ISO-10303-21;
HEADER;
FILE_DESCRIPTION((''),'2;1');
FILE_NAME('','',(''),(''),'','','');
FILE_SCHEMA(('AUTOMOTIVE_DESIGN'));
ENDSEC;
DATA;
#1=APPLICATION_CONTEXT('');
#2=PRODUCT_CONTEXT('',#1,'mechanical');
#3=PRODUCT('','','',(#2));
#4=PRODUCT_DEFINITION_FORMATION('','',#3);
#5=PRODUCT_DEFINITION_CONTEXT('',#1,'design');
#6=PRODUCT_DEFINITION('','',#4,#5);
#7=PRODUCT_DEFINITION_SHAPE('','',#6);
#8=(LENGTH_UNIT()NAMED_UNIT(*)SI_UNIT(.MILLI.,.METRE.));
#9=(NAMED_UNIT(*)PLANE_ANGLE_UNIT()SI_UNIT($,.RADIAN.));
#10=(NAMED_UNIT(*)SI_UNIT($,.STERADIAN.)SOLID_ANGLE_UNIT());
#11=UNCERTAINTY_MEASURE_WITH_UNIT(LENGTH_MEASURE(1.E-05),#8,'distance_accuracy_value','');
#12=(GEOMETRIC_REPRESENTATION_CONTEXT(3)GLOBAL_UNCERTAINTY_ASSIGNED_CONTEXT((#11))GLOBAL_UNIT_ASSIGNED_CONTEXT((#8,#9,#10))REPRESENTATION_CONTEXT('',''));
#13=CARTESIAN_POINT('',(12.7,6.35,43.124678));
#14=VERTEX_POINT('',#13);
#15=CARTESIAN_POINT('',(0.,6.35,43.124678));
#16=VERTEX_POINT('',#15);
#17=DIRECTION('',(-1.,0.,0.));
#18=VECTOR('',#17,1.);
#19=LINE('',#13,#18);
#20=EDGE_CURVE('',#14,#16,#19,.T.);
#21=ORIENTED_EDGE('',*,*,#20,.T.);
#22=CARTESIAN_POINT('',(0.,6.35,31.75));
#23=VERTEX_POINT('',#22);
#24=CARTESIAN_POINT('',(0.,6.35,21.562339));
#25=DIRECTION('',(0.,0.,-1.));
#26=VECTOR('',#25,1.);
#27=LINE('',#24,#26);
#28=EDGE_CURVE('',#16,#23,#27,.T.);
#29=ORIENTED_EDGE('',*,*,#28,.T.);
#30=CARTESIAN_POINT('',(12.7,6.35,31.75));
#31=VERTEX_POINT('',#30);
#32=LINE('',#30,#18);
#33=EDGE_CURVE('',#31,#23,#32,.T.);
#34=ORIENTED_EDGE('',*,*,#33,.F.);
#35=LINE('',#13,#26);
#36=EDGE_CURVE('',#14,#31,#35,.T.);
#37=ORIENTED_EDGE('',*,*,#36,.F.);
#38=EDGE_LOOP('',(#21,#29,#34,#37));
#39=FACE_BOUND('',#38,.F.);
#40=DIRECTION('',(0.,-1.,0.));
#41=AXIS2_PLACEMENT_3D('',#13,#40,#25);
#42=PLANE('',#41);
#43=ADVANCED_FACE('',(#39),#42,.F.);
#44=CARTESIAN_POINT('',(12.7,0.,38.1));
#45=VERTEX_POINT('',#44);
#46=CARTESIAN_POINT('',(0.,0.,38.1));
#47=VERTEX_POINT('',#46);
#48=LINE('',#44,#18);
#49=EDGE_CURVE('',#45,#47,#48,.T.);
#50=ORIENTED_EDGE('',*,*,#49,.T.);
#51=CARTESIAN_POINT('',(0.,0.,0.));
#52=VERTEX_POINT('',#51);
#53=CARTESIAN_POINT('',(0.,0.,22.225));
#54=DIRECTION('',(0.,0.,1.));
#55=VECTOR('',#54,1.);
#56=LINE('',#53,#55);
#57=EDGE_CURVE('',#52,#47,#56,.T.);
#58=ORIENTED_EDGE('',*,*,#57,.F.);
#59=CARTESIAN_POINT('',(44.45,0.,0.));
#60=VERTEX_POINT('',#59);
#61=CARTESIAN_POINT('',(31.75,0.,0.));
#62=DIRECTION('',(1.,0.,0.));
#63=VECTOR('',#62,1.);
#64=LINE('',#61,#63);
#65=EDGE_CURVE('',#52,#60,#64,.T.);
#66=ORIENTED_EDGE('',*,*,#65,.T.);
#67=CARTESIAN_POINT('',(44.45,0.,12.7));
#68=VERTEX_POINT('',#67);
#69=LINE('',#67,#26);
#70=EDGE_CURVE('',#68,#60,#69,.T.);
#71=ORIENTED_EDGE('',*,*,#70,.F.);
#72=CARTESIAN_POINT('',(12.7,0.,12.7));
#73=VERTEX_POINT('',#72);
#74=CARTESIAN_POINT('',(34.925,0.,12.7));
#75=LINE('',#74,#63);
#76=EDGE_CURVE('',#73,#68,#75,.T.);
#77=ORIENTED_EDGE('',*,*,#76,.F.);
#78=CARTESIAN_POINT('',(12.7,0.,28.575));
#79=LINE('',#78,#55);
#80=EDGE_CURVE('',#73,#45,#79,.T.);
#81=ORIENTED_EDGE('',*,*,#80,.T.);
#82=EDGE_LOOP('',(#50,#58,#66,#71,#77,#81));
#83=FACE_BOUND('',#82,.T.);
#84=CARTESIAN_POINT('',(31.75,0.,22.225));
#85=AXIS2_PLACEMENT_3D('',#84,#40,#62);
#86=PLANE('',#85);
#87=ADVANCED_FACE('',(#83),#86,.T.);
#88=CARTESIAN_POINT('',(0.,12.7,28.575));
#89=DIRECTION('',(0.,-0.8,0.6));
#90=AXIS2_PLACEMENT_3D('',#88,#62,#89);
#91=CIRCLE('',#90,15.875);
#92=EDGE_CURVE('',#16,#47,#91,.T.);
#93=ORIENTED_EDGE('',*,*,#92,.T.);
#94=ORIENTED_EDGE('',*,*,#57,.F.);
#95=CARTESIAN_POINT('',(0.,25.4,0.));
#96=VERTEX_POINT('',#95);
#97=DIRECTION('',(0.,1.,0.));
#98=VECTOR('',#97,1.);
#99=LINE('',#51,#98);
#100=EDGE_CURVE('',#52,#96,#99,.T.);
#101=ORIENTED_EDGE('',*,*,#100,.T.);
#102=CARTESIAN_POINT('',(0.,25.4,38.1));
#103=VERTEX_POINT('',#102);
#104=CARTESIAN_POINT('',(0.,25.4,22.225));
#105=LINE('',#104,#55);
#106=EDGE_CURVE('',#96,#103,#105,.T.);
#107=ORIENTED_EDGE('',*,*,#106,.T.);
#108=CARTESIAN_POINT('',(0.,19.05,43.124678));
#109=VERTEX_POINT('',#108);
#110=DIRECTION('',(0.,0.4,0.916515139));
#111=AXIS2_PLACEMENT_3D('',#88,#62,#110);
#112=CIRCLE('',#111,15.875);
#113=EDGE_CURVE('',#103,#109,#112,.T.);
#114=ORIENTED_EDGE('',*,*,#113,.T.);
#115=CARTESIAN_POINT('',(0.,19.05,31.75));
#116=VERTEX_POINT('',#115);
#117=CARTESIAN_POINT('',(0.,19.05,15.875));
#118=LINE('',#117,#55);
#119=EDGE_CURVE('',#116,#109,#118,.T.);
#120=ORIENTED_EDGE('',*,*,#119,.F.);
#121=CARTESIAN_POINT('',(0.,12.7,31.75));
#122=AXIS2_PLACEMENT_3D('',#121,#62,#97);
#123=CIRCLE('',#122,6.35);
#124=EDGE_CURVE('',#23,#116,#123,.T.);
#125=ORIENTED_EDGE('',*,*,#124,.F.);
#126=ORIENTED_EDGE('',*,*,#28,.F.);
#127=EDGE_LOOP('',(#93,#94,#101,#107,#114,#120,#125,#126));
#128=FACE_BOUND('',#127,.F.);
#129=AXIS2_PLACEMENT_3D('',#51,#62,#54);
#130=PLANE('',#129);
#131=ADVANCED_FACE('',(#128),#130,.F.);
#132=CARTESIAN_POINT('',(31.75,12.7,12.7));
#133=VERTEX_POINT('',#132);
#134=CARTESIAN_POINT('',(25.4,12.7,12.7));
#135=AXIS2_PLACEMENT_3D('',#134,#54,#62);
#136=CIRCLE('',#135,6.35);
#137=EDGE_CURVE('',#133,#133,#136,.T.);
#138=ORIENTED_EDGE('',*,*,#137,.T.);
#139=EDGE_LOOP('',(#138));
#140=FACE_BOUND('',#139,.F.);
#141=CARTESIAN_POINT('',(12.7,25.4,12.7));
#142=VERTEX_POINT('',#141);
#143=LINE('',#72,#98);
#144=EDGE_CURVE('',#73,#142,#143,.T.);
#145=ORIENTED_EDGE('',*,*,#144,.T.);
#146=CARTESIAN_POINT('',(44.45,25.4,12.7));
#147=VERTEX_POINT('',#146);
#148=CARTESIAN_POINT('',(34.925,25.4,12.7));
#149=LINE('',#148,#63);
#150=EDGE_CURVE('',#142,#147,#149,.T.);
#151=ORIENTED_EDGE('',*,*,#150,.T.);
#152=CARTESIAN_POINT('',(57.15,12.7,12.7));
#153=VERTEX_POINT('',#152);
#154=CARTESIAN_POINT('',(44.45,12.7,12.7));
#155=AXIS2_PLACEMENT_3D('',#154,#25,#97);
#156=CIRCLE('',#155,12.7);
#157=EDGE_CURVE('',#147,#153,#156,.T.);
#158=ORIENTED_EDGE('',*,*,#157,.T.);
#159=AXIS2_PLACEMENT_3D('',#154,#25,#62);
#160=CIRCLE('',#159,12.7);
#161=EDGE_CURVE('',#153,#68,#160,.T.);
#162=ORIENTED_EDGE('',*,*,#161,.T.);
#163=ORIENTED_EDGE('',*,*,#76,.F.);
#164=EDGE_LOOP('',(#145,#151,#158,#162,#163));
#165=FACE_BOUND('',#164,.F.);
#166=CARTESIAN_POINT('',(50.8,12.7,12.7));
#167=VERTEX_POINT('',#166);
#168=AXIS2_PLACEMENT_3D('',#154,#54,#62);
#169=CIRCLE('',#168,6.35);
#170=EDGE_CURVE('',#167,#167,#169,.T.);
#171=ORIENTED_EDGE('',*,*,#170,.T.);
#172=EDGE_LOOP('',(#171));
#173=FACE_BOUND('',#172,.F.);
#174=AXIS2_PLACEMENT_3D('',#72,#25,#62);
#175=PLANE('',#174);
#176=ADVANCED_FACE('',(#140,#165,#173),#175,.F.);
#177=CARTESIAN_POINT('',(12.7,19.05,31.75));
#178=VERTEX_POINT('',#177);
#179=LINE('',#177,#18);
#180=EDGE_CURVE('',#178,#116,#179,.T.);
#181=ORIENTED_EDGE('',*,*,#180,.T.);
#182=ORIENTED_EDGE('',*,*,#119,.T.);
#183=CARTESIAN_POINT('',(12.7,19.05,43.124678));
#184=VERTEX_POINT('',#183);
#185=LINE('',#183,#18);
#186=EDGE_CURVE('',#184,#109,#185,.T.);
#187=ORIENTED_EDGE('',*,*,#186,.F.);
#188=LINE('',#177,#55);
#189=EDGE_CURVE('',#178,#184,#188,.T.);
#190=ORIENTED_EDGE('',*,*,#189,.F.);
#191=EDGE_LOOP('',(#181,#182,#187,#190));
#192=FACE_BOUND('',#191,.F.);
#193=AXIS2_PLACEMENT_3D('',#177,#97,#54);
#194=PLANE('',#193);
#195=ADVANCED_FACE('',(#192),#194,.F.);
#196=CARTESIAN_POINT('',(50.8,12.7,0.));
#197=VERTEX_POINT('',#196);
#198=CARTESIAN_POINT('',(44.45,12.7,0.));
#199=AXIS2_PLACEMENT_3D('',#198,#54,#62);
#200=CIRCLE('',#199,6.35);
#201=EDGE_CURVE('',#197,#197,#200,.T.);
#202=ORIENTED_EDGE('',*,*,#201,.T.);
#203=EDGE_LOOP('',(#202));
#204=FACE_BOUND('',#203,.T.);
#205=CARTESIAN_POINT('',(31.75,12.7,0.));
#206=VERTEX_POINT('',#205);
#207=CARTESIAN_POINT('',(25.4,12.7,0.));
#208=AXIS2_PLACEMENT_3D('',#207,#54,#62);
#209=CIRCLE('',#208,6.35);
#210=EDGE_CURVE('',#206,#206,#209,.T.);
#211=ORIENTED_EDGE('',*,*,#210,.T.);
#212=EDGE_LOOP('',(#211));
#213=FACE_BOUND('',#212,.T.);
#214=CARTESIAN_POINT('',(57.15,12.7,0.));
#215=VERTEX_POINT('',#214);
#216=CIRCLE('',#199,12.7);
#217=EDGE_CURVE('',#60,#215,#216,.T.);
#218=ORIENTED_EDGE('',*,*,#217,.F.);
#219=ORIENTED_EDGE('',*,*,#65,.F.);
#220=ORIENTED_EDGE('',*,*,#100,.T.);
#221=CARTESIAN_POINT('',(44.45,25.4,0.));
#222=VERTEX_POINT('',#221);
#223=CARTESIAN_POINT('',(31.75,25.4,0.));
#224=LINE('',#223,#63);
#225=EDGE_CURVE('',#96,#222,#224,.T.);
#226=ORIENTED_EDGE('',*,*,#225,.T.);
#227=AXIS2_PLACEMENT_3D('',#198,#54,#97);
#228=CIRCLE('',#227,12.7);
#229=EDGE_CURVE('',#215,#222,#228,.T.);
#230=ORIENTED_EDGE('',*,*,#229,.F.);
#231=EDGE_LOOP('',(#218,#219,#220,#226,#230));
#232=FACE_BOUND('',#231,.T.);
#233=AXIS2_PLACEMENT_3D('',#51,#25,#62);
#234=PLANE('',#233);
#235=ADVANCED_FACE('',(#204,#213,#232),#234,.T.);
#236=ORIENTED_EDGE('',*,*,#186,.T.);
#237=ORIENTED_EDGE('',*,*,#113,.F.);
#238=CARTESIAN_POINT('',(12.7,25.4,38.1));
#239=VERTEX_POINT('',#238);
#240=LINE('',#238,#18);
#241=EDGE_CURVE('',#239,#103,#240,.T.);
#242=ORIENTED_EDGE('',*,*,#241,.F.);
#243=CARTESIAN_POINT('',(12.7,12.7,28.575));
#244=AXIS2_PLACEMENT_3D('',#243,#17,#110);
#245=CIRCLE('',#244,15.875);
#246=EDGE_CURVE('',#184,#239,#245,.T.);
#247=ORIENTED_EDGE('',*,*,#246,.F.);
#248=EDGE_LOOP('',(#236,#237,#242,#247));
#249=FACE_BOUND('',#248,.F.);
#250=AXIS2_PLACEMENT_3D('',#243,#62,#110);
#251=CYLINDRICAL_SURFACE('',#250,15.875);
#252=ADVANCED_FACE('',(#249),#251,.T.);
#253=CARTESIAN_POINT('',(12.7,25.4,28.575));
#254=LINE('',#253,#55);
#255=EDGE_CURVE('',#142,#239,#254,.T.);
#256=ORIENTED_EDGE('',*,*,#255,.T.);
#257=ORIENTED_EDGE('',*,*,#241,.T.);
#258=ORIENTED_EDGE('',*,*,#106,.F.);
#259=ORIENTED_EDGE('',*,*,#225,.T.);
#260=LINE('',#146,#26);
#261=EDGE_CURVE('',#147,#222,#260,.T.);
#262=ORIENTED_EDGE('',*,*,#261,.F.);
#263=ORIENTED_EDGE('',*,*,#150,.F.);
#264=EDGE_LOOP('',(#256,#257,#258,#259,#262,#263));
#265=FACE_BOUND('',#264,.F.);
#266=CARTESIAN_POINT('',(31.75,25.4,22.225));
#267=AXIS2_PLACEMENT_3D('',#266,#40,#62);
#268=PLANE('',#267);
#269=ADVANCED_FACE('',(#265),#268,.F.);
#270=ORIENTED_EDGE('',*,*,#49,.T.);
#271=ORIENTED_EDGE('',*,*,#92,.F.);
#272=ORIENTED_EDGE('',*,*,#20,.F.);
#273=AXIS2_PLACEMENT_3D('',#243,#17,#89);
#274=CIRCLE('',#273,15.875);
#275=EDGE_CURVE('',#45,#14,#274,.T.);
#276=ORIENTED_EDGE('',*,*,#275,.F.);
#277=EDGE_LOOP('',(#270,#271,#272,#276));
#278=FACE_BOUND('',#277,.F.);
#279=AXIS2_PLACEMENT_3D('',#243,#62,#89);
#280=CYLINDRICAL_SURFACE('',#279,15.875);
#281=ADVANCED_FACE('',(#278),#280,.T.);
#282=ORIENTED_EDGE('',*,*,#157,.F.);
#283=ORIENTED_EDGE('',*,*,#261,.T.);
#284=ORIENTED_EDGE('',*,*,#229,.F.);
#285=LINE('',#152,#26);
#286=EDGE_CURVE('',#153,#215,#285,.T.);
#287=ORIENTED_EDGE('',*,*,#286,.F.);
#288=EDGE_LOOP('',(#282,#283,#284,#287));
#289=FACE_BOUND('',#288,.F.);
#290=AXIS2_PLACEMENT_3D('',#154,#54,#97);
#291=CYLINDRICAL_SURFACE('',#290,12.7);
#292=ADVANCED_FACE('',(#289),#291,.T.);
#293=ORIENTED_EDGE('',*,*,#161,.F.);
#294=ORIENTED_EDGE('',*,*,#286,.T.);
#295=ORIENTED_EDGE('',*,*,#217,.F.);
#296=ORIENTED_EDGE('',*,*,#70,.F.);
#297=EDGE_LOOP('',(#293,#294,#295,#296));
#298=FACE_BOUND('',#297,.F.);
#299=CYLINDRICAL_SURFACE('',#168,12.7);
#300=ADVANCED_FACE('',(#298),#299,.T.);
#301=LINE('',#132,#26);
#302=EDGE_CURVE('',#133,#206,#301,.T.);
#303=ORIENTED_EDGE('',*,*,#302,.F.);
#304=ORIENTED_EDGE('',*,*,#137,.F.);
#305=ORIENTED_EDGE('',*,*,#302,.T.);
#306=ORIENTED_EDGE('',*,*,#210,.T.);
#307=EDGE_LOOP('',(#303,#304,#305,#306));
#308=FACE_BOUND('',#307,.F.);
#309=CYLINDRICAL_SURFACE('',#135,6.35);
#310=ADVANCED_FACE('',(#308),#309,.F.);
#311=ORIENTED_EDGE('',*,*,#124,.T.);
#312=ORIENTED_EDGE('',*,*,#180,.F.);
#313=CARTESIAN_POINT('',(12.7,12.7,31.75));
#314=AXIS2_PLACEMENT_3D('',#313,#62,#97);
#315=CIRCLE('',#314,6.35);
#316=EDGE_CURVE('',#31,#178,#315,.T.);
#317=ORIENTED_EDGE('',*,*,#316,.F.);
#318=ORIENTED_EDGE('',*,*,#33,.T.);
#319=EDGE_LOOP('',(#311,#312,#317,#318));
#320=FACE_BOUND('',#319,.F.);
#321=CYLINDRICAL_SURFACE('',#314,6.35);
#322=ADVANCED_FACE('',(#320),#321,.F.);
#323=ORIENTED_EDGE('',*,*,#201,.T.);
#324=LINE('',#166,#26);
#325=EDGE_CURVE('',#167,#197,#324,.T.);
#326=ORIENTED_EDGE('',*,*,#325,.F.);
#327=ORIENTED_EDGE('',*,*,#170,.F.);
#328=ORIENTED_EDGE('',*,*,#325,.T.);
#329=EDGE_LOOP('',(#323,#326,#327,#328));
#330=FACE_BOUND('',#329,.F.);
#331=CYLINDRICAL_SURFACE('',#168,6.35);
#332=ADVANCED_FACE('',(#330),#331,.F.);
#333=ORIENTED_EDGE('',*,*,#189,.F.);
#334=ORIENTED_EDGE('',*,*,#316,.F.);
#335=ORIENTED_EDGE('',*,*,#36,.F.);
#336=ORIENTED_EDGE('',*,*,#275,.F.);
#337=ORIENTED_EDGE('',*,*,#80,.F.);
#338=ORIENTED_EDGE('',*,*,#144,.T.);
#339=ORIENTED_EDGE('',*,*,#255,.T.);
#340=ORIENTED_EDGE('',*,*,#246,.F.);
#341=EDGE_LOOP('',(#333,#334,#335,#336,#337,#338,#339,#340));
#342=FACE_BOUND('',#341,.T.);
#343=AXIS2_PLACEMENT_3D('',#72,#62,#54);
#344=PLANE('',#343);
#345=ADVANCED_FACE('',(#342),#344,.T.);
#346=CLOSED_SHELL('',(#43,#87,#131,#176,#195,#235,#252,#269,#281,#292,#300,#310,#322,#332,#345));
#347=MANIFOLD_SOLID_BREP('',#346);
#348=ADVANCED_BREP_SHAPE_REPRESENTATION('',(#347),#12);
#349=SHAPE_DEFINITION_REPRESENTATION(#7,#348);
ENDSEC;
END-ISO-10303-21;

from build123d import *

# Parameters (mm, degrees)
F0_W      = 63.5
F0_H      = 44.45
F1_DEPTH  = 25.4
F2_DEPTH  = 6.35
F3_W      = 44.45
F3_H      = 31.75
F4_DEPTH  = 25.4
F5_R      = 6.35
F6_DEPTH  = 25.4
F8_DEPTH  = 25.4
F10_DEPTH = 25.4


with BuildPart() as f1:
    # F0 (on Front) → F1 (new body)
    with BuildSketch(Plane.XZ):
        with Locations((31.75, 22.225)):
            Rectangle(F0_W, F0_H)
    extrude(amount=-F1_DEPTH)

    # F2 (cut): a face of the model
    f2_faces = [f1.faces().sort_by_distance(p)[0] for p in [
        (63.5, 12.7, 22.225),
    ]]
    extrude(f2_faces, amount=-F2_DEPTH, mode=Mode.SUBTRACT)

    # F3 (on face) → F4 (cut)
    with BuildSketch(Plane.XZ):
        with Locations((34.925, 28.575)):
            Rectangle(F3_W, F3_H)
    extrude(amount=-F4_DEPTH, mode=Mode.SUBTRACT)

    # F5 (on face) → F6 (cut)
    with BuildSketch(Plane.XY.offset(12.7)):
        with Locations((25.4, 12.7)):
            Circle(F5_R)
        with Locations((44.45, 12.7)):
            Circle(F5_R)
    extrude(amount=-F6_DEPTH, mode=Mode.SUBTRACT)

    # F7 (on face) → F8 (cut)
    with BuildSketch(Plane.XY.offset(12.7)):
        with BuildLine():
            ThreePointArc((44.45, 25.4), (53.4302561211, 21.6802561211), (57.15, 12.7))
            Line((57.15, 12.7), (57.15, 25.4))
            Line((57.15, 25.4), (44.45, 25.4))
        make_face()
        with BuildLine():
            ThreePointArc((57.15, 12.7), (53.4302561211, 3.7197438789), (44.45, 0))
            Line((44.45, 0), (57.15, 0))
            Line((57.15, 0), (57.15, 12.7))
        make_face()
    extrude(amount=-F8_DEPTH, mode=Mode.SUBTRACT)

    # F9 (on face) → F10 (cut)
    with BuildSketch(Plane.YZ.offset(12.7)):
        with BuildLine():
            ThreePointArc((12.7, 44.45), (15.9434155936, 44.1151377178), (19.05, 43.1246778315))
            Line((19.05, 43.1246778315), (19.05, 44.45))
            Line((19.05, 44.45), (12.7, 44.45))
        make_face()
        with BuildLine():
            Line((6.35, 44.45), (6.35, 43.1246778315))
            ThreePointArc((6.35, 43.1246778315), (9.4565844064, 44.1151377178), (12.7, 44.45))
            Line((12.7, 44.45), (6.35, 44.45))
        make_face()
        with BuildLine():
            ThreePointArc((0, 38.1), (2.8492400381, 41.0240221774), (6.35, 43.1246778315))
            Line((6.35, 43.1246778315), (6.35, 44.45))
            Line((6.35, 44.45), (0, 44.45))
            Line((0, 44.45), (0, 38.1))
        make_face()
        with BuildLine():
            ThreePointArc((6.35, 31.75), (12.7, 25.4), (19.05, 31.75))
            ThreePointArc((19.05, 31.75), (12.7, 38.1), (6.35, 31.75))
        make_face()
        with BuildLine():
            ThreePointArc((6.35, 31.75), (12.7, 38.1), (19.05, 31.75))
            Line((19.05, 31.75), (19.05, 43.1246778315))
            ThreePointArc((19.05, 43.1246778315), (15.9434155936, 44.1151377178), (12.7, 44.45))
            ThreePointArc((12.7, 44.45), (9.4565844064, 44.1151377178), (6.35, 43.1246778315))
            Line((6.35, 43.1246778315), (6.35, 31.75))
        make_face()
        with BuildLine():
            Line((19.05, 44.45), (19.05, 43.1246778315))
            ThreePointArc((19.05, 43.1246778315), (22.5507599619, 41.0240221774), (25.4, 38.1))
            Line((25.4, 38.1), (25.4, 44.45))
            Line((25.4, 44.45), (19.05, 44.45))
        make_face()
    extrude(amount=-F10_DEPTH, mode=Mode.SUBTRACT)


solid = f1.part
